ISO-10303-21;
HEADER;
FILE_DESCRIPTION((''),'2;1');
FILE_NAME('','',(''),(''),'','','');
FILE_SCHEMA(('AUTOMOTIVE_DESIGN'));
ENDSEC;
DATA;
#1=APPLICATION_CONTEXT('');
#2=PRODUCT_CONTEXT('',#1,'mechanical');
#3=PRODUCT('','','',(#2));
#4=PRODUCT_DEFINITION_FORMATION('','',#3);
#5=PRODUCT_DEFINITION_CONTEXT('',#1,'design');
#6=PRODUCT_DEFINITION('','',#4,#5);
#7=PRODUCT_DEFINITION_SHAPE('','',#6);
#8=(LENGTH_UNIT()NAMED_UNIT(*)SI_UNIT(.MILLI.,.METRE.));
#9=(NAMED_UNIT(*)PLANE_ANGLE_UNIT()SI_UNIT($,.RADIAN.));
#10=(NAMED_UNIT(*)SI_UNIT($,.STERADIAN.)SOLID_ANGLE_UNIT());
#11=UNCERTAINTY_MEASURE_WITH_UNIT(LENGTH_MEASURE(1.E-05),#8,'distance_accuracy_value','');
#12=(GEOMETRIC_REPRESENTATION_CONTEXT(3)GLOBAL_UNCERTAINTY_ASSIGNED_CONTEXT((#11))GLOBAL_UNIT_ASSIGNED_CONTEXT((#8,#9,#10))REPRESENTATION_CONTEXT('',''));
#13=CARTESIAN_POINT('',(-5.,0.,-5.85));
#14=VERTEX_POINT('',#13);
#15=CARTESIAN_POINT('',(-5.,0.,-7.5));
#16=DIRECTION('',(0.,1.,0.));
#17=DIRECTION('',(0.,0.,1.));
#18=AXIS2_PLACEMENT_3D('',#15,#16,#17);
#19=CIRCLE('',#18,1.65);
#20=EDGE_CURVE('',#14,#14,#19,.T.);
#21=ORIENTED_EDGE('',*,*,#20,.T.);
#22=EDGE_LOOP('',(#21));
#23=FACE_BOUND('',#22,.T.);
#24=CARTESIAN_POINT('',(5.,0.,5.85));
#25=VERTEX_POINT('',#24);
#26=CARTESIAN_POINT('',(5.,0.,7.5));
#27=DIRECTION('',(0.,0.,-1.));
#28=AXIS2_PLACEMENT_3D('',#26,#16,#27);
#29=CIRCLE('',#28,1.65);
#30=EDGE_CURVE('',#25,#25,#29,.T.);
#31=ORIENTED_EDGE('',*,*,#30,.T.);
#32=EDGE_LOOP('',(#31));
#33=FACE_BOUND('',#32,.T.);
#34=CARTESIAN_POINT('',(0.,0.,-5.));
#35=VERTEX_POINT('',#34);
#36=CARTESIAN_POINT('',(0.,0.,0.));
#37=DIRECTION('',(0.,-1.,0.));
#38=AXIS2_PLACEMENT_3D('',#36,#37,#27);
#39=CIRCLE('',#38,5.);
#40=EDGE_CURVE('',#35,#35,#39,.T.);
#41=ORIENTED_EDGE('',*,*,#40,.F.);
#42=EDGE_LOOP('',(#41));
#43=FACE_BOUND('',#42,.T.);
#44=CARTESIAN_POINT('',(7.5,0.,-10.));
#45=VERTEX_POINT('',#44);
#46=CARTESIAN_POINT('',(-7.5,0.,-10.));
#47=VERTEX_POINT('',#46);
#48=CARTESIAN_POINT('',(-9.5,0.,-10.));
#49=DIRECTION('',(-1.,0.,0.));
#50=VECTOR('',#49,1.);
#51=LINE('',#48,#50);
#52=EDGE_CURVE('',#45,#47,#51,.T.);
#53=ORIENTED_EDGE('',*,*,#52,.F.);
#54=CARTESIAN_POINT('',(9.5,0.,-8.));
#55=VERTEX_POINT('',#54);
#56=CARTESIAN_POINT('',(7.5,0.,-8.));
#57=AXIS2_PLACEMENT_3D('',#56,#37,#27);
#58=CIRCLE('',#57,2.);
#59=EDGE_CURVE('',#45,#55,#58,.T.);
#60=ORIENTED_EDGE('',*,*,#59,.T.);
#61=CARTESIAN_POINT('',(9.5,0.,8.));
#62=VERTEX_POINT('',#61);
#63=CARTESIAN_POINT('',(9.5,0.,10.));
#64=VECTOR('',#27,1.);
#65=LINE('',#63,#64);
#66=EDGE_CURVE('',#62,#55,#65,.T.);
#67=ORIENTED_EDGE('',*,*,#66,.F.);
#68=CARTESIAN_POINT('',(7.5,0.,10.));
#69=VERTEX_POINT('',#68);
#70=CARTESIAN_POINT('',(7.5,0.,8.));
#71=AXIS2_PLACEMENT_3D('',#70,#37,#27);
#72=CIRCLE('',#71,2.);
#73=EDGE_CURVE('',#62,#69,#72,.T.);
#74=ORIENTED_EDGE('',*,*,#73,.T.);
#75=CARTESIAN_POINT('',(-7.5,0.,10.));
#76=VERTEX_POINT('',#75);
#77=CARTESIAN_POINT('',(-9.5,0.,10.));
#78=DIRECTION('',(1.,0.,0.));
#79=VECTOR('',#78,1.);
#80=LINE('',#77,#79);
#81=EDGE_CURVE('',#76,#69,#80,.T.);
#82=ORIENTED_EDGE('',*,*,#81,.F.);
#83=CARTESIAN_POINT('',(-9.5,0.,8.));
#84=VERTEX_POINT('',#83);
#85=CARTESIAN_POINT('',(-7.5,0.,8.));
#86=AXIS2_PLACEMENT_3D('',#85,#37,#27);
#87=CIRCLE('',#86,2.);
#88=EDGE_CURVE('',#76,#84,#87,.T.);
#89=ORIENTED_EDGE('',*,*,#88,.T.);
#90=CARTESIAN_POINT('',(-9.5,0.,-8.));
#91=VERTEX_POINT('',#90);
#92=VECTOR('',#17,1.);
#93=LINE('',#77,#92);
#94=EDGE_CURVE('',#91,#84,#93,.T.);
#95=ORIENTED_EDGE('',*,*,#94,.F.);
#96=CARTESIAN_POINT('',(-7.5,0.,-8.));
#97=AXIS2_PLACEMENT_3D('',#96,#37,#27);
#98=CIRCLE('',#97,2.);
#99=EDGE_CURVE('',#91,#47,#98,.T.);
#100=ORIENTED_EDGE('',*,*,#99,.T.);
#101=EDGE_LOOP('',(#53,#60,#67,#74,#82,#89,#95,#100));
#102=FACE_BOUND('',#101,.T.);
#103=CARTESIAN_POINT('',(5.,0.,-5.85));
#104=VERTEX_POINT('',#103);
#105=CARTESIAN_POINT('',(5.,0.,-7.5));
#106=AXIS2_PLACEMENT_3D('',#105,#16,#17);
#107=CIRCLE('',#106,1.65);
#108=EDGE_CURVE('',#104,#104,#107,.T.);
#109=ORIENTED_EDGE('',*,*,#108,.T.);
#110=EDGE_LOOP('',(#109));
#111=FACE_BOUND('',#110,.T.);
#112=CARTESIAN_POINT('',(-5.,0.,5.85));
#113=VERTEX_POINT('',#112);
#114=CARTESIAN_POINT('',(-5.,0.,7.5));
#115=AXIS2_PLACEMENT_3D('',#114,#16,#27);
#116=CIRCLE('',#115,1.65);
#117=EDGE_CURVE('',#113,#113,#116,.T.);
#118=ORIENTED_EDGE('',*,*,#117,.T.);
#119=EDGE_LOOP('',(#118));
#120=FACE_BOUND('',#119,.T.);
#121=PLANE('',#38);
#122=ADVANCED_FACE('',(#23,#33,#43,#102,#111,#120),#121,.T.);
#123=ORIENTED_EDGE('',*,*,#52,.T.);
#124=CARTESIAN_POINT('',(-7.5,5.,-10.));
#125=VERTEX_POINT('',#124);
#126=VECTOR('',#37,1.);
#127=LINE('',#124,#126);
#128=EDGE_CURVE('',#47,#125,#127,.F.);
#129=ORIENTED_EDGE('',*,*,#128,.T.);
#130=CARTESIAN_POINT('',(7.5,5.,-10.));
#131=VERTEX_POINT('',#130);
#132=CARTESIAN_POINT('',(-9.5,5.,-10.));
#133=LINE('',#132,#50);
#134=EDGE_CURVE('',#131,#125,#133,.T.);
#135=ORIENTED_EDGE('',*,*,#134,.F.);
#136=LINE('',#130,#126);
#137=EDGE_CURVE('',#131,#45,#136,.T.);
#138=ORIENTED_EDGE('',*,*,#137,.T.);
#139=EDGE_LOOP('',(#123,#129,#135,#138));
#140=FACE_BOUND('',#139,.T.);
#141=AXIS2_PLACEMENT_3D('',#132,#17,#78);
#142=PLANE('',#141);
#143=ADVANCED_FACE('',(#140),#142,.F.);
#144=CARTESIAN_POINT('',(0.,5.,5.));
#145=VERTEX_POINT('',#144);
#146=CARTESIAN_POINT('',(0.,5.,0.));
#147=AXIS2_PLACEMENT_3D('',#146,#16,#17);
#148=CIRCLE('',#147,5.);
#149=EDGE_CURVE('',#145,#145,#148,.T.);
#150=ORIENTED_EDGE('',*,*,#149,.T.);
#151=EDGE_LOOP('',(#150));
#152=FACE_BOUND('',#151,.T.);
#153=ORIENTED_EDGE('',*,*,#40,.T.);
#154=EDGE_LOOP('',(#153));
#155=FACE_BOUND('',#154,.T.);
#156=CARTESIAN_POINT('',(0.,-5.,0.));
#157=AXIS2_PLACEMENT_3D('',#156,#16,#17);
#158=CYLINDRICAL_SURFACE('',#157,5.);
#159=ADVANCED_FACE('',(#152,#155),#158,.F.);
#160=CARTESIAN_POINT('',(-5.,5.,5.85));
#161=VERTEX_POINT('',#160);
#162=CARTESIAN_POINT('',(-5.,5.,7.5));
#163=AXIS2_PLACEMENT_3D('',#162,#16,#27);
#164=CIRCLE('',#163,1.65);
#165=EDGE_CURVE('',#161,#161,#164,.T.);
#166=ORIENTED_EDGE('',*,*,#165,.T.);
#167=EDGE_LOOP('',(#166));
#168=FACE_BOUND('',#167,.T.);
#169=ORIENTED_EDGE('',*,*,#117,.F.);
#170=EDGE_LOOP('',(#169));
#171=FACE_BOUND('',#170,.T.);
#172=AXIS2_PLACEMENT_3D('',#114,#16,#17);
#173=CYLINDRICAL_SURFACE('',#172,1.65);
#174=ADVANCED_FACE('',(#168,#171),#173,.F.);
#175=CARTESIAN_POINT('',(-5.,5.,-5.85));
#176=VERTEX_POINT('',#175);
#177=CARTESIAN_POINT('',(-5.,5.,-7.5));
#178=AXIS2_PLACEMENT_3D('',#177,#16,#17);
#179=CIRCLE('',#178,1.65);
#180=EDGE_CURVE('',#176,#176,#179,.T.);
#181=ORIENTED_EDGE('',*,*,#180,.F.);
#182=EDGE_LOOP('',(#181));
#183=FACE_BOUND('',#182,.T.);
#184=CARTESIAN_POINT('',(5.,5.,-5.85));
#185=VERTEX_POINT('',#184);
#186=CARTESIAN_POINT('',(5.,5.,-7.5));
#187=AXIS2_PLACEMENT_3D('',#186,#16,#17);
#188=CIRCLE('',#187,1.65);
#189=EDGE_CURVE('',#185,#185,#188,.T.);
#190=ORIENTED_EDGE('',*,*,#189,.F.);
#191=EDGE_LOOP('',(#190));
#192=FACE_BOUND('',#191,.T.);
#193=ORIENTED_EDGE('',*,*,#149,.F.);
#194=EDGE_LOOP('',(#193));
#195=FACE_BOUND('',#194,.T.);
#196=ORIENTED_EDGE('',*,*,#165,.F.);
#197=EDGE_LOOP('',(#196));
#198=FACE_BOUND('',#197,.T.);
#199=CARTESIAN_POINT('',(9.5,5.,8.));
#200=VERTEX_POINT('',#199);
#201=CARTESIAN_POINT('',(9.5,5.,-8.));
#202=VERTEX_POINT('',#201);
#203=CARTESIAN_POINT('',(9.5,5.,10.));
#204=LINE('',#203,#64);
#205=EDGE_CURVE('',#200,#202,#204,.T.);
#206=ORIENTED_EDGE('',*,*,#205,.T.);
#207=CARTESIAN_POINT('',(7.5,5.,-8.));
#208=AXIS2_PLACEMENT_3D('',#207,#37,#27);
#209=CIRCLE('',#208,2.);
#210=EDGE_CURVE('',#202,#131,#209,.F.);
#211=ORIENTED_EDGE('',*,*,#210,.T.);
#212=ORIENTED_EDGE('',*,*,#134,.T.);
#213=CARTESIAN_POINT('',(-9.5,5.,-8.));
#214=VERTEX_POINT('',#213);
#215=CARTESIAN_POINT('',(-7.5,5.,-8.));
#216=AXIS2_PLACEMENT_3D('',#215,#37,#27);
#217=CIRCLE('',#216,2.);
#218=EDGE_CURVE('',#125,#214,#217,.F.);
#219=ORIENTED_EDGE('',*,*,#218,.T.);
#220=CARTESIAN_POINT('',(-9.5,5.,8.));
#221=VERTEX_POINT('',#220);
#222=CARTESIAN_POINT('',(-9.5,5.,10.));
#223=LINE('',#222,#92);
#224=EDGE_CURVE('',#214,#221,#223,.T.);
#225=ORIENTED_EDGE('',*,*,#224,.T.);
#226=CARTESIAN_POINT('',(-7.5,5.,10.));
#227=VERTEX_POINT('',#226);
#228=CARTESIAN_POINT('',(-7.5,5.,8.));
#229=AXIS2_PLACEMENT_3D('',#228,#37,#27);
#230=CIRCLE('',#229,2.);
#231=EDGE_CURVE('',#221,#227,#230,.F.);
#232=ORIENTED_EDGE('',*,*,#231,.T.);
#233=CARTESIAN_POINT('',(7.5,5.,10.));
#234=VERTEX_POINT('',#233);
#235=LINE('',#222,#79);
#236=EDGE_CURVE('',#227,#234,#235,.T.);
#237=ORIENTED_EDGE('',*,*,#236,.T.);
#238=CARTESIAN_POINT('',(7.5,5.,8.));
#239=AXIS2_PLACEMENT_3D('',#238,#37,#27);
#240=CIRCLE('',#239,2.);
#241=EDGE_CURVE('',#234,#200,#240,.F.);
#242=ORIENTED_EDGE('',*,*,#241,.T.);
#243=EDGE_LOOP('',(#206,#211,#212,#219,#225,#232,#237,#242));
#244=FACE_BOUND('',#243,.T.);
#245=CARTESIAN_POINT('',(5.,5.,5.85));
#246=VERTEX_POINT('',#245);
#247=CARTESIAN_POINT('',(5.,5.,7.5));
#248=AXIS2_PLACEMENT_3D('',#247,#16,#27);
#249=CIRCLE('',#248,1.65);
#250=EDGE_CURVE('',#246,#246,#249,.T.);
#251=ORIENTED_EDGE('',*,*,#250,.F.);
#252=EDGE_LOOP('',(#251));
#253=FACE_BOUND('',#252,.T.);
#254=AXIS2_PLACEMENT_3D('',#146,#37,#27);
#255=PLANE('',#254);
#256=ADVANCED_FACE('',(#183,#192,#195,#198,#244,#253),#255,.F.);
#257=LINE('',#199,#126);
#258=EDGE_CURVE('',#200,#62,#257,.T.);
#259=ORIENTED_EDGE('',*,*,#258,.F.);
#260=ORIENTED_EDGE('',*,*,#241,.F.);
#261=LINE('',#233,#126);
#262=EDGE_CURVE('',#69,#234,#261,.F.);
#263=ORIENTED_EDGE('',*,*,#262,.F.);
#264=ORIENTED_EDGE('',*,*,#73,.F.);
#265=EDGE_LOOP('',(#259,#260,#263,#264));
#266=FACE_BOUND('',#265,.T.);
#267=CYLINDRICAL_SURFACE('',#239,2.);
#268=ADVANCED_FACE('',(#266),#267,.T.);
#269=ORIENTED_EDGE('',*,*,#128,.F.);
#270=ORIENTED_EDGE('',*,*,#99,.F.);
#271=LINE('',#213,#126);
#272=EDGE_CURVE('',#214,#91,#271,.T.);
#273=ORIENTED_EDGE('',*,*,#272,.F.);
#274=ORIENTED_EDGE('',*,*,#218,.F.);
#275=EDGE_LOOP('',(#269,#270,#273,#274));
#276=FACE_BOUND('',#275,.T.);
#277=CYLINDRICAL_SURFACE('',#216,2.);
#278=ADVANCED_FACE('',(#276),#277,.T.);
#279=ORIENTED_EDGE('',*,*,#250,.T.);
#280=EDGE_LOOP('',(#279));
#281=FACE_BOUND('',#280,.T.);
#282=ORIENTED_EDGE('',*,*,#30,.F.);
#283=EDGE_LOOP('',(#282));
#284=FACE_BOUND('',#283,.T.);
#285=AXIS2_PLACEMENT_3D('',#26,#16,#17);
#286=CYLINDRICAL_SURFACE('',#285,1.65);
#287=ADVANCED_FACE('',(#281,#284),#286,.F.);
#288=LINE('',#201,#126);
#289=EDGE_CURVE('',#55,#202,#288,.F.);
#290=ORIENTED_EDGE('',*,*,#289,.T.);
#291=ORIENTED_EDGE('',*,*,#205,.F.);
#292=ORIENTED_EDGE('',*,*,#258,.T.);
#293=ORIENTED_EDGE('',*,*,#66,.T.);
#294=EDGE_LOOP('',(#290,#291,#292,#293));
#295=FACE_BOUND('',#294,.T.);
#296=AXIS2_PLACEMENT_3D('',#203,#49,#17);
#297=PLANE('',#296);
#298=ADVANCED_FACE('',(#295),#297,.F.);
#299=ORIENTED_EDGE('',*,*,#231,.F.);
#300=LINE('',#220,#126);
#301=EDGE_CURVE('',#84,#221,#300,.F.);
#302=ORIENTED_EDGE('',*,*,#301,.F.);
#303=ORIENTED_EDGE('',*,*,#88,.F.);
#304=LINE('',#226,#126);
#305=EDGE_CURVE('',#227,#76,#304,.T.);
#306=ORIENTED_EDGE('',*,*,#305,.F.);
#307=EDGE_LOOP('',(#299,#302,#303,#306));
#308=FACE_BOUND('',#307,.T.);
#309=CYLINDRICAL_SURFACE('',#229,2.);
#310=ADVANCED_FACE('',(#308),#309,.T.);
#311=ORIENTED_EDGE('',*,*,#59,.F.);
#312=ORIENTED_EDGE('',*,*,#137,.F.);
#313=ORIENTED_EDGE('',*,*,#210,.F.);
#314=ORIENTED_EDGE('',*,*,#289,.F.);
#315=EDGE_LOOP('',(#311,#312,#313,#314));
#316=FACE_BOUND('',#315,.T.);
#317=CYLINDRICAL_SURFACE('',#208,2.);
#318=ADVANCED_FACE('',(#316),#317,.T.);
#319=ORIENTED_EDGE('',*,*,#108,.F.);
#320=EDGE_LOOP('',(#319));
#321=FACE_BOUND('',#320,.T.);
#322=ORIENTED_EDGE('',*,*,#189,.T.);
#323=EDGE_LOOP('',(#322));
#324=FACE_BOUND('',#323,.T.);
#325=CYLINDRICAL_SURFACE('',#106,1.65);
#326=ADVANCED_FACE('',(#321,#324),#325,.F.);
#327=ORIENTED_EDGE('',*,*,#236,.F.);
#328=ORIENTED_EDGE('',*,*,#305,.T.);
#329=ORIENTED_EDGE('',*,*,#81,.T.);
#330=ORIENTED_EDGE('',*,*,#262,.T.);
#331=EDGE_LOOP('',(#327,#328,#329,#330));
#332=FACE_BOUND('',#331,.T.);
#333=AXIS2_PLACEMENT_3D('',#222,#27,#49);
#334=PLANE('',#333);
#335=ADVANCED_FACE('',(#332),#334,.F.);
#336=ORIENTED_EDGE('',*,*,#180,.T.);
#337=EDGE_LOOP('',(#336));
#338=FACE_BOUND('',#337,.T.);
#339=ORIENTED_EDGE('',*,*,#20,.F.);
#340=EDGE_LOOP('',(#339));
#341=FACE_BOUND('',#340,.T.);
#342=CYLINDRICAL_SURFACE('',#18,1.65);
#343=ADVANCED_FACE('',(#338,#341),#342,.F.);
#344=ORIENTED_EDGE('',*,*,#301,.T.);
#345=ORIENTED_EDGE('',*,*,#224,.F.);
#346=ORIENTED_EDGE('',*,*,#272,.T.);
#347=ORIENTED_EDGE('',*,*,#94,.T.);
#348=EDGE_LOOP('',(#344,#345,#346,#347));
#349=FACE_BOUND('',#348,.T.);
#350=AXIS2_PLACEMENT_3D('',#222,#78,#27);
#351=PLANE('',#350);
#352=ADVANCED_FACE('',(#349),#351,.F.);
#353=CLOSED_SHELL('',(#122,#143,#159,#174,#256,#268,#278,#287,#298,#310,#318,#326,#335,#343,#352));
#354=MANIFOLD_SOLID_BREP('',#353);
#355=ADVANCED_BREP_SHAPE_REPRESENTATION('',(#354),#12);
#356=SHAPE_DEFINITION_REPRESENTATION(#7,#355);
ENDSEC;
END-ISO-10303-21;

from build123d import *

# Parameters (mm, degrees)
SKETCH_1_W          = 19
SKETCH_1_H          = 20
EXTRUDE_1_DEPTH     = 5
SKETCH_2_R          = 1.65
CUT_EXTRUDE_1_DEPTH = 15.671400751
FILLET_1_R          = 2
SKETCH_3_R          = 5
CUT_EXTRUDE_2_DEPTH = 10


with BuildPart() as part:
    # 草图1 → 凸台-拉伸1 (new body)
    with BuildSketch(Plane(origin=(0, 0, 0), x_dir=(1, 0, 0), z_dir=(0, 1, 0))):
        Rectangle(SKETCH_1_W, SKETCH_1_H)
    extrude(amount=EXTRUDE_1_DEPTH)

    # 草图2 → 切除-拉伸1 (cut, through all)
    with BuildSketch(Plane(origin=(0, 5, 0), x_dir=(1, 0, 0), z_dir=(0, 1, 0))):
        with Locations(Location((-5, 7.5, 0), (0, 0, 270))):
            Circle(SKETCH_2_R)
        with Locations(Location((5, 7.5, 0), (0, 0, 270))):
            Circle(SKETCH_2_R)
        with Locations(Location((5, -7.5, 0), (0, 0, 90))):
            Circle(SKETCH_2_R)
        with Locations(Location((-5, -7.5, 0), (0, 0, 90))):
            Circle(SKETCH_2_R)
    extrude(amount=-CUT_EXTRUDE_1_DEPTH, mode=Mode.SUBTRACT)

    # 圆角1
    fillet_1_edges = [part.edges().sort_by_distance(p)[0] for p in [
        (9.5, 2.5, 10),
        (-9.5, 2.5, 10),
        (-9.5, 2.5, -10),
        (9.5, 2.5, -10),
    ]]
    fillet(fillet_1_edges, radius=FILLET_1_R)

    # 草图3 → 切除-拉伸2 (cut)
    with BuildSketch(Plane(origin=(0, 5, 0), x_dir=(1, 0, 0), z_dir=(0, 1, 0))):
        with Locations(Location((0, 0, 0), (0, 0, 270))):
            Circle(SKETCH_3_R)
    extrude(amount=-CUT_EXTRUDE_2_DEPTH, mode=Mode.SUBTRACT)


solid = part.part
